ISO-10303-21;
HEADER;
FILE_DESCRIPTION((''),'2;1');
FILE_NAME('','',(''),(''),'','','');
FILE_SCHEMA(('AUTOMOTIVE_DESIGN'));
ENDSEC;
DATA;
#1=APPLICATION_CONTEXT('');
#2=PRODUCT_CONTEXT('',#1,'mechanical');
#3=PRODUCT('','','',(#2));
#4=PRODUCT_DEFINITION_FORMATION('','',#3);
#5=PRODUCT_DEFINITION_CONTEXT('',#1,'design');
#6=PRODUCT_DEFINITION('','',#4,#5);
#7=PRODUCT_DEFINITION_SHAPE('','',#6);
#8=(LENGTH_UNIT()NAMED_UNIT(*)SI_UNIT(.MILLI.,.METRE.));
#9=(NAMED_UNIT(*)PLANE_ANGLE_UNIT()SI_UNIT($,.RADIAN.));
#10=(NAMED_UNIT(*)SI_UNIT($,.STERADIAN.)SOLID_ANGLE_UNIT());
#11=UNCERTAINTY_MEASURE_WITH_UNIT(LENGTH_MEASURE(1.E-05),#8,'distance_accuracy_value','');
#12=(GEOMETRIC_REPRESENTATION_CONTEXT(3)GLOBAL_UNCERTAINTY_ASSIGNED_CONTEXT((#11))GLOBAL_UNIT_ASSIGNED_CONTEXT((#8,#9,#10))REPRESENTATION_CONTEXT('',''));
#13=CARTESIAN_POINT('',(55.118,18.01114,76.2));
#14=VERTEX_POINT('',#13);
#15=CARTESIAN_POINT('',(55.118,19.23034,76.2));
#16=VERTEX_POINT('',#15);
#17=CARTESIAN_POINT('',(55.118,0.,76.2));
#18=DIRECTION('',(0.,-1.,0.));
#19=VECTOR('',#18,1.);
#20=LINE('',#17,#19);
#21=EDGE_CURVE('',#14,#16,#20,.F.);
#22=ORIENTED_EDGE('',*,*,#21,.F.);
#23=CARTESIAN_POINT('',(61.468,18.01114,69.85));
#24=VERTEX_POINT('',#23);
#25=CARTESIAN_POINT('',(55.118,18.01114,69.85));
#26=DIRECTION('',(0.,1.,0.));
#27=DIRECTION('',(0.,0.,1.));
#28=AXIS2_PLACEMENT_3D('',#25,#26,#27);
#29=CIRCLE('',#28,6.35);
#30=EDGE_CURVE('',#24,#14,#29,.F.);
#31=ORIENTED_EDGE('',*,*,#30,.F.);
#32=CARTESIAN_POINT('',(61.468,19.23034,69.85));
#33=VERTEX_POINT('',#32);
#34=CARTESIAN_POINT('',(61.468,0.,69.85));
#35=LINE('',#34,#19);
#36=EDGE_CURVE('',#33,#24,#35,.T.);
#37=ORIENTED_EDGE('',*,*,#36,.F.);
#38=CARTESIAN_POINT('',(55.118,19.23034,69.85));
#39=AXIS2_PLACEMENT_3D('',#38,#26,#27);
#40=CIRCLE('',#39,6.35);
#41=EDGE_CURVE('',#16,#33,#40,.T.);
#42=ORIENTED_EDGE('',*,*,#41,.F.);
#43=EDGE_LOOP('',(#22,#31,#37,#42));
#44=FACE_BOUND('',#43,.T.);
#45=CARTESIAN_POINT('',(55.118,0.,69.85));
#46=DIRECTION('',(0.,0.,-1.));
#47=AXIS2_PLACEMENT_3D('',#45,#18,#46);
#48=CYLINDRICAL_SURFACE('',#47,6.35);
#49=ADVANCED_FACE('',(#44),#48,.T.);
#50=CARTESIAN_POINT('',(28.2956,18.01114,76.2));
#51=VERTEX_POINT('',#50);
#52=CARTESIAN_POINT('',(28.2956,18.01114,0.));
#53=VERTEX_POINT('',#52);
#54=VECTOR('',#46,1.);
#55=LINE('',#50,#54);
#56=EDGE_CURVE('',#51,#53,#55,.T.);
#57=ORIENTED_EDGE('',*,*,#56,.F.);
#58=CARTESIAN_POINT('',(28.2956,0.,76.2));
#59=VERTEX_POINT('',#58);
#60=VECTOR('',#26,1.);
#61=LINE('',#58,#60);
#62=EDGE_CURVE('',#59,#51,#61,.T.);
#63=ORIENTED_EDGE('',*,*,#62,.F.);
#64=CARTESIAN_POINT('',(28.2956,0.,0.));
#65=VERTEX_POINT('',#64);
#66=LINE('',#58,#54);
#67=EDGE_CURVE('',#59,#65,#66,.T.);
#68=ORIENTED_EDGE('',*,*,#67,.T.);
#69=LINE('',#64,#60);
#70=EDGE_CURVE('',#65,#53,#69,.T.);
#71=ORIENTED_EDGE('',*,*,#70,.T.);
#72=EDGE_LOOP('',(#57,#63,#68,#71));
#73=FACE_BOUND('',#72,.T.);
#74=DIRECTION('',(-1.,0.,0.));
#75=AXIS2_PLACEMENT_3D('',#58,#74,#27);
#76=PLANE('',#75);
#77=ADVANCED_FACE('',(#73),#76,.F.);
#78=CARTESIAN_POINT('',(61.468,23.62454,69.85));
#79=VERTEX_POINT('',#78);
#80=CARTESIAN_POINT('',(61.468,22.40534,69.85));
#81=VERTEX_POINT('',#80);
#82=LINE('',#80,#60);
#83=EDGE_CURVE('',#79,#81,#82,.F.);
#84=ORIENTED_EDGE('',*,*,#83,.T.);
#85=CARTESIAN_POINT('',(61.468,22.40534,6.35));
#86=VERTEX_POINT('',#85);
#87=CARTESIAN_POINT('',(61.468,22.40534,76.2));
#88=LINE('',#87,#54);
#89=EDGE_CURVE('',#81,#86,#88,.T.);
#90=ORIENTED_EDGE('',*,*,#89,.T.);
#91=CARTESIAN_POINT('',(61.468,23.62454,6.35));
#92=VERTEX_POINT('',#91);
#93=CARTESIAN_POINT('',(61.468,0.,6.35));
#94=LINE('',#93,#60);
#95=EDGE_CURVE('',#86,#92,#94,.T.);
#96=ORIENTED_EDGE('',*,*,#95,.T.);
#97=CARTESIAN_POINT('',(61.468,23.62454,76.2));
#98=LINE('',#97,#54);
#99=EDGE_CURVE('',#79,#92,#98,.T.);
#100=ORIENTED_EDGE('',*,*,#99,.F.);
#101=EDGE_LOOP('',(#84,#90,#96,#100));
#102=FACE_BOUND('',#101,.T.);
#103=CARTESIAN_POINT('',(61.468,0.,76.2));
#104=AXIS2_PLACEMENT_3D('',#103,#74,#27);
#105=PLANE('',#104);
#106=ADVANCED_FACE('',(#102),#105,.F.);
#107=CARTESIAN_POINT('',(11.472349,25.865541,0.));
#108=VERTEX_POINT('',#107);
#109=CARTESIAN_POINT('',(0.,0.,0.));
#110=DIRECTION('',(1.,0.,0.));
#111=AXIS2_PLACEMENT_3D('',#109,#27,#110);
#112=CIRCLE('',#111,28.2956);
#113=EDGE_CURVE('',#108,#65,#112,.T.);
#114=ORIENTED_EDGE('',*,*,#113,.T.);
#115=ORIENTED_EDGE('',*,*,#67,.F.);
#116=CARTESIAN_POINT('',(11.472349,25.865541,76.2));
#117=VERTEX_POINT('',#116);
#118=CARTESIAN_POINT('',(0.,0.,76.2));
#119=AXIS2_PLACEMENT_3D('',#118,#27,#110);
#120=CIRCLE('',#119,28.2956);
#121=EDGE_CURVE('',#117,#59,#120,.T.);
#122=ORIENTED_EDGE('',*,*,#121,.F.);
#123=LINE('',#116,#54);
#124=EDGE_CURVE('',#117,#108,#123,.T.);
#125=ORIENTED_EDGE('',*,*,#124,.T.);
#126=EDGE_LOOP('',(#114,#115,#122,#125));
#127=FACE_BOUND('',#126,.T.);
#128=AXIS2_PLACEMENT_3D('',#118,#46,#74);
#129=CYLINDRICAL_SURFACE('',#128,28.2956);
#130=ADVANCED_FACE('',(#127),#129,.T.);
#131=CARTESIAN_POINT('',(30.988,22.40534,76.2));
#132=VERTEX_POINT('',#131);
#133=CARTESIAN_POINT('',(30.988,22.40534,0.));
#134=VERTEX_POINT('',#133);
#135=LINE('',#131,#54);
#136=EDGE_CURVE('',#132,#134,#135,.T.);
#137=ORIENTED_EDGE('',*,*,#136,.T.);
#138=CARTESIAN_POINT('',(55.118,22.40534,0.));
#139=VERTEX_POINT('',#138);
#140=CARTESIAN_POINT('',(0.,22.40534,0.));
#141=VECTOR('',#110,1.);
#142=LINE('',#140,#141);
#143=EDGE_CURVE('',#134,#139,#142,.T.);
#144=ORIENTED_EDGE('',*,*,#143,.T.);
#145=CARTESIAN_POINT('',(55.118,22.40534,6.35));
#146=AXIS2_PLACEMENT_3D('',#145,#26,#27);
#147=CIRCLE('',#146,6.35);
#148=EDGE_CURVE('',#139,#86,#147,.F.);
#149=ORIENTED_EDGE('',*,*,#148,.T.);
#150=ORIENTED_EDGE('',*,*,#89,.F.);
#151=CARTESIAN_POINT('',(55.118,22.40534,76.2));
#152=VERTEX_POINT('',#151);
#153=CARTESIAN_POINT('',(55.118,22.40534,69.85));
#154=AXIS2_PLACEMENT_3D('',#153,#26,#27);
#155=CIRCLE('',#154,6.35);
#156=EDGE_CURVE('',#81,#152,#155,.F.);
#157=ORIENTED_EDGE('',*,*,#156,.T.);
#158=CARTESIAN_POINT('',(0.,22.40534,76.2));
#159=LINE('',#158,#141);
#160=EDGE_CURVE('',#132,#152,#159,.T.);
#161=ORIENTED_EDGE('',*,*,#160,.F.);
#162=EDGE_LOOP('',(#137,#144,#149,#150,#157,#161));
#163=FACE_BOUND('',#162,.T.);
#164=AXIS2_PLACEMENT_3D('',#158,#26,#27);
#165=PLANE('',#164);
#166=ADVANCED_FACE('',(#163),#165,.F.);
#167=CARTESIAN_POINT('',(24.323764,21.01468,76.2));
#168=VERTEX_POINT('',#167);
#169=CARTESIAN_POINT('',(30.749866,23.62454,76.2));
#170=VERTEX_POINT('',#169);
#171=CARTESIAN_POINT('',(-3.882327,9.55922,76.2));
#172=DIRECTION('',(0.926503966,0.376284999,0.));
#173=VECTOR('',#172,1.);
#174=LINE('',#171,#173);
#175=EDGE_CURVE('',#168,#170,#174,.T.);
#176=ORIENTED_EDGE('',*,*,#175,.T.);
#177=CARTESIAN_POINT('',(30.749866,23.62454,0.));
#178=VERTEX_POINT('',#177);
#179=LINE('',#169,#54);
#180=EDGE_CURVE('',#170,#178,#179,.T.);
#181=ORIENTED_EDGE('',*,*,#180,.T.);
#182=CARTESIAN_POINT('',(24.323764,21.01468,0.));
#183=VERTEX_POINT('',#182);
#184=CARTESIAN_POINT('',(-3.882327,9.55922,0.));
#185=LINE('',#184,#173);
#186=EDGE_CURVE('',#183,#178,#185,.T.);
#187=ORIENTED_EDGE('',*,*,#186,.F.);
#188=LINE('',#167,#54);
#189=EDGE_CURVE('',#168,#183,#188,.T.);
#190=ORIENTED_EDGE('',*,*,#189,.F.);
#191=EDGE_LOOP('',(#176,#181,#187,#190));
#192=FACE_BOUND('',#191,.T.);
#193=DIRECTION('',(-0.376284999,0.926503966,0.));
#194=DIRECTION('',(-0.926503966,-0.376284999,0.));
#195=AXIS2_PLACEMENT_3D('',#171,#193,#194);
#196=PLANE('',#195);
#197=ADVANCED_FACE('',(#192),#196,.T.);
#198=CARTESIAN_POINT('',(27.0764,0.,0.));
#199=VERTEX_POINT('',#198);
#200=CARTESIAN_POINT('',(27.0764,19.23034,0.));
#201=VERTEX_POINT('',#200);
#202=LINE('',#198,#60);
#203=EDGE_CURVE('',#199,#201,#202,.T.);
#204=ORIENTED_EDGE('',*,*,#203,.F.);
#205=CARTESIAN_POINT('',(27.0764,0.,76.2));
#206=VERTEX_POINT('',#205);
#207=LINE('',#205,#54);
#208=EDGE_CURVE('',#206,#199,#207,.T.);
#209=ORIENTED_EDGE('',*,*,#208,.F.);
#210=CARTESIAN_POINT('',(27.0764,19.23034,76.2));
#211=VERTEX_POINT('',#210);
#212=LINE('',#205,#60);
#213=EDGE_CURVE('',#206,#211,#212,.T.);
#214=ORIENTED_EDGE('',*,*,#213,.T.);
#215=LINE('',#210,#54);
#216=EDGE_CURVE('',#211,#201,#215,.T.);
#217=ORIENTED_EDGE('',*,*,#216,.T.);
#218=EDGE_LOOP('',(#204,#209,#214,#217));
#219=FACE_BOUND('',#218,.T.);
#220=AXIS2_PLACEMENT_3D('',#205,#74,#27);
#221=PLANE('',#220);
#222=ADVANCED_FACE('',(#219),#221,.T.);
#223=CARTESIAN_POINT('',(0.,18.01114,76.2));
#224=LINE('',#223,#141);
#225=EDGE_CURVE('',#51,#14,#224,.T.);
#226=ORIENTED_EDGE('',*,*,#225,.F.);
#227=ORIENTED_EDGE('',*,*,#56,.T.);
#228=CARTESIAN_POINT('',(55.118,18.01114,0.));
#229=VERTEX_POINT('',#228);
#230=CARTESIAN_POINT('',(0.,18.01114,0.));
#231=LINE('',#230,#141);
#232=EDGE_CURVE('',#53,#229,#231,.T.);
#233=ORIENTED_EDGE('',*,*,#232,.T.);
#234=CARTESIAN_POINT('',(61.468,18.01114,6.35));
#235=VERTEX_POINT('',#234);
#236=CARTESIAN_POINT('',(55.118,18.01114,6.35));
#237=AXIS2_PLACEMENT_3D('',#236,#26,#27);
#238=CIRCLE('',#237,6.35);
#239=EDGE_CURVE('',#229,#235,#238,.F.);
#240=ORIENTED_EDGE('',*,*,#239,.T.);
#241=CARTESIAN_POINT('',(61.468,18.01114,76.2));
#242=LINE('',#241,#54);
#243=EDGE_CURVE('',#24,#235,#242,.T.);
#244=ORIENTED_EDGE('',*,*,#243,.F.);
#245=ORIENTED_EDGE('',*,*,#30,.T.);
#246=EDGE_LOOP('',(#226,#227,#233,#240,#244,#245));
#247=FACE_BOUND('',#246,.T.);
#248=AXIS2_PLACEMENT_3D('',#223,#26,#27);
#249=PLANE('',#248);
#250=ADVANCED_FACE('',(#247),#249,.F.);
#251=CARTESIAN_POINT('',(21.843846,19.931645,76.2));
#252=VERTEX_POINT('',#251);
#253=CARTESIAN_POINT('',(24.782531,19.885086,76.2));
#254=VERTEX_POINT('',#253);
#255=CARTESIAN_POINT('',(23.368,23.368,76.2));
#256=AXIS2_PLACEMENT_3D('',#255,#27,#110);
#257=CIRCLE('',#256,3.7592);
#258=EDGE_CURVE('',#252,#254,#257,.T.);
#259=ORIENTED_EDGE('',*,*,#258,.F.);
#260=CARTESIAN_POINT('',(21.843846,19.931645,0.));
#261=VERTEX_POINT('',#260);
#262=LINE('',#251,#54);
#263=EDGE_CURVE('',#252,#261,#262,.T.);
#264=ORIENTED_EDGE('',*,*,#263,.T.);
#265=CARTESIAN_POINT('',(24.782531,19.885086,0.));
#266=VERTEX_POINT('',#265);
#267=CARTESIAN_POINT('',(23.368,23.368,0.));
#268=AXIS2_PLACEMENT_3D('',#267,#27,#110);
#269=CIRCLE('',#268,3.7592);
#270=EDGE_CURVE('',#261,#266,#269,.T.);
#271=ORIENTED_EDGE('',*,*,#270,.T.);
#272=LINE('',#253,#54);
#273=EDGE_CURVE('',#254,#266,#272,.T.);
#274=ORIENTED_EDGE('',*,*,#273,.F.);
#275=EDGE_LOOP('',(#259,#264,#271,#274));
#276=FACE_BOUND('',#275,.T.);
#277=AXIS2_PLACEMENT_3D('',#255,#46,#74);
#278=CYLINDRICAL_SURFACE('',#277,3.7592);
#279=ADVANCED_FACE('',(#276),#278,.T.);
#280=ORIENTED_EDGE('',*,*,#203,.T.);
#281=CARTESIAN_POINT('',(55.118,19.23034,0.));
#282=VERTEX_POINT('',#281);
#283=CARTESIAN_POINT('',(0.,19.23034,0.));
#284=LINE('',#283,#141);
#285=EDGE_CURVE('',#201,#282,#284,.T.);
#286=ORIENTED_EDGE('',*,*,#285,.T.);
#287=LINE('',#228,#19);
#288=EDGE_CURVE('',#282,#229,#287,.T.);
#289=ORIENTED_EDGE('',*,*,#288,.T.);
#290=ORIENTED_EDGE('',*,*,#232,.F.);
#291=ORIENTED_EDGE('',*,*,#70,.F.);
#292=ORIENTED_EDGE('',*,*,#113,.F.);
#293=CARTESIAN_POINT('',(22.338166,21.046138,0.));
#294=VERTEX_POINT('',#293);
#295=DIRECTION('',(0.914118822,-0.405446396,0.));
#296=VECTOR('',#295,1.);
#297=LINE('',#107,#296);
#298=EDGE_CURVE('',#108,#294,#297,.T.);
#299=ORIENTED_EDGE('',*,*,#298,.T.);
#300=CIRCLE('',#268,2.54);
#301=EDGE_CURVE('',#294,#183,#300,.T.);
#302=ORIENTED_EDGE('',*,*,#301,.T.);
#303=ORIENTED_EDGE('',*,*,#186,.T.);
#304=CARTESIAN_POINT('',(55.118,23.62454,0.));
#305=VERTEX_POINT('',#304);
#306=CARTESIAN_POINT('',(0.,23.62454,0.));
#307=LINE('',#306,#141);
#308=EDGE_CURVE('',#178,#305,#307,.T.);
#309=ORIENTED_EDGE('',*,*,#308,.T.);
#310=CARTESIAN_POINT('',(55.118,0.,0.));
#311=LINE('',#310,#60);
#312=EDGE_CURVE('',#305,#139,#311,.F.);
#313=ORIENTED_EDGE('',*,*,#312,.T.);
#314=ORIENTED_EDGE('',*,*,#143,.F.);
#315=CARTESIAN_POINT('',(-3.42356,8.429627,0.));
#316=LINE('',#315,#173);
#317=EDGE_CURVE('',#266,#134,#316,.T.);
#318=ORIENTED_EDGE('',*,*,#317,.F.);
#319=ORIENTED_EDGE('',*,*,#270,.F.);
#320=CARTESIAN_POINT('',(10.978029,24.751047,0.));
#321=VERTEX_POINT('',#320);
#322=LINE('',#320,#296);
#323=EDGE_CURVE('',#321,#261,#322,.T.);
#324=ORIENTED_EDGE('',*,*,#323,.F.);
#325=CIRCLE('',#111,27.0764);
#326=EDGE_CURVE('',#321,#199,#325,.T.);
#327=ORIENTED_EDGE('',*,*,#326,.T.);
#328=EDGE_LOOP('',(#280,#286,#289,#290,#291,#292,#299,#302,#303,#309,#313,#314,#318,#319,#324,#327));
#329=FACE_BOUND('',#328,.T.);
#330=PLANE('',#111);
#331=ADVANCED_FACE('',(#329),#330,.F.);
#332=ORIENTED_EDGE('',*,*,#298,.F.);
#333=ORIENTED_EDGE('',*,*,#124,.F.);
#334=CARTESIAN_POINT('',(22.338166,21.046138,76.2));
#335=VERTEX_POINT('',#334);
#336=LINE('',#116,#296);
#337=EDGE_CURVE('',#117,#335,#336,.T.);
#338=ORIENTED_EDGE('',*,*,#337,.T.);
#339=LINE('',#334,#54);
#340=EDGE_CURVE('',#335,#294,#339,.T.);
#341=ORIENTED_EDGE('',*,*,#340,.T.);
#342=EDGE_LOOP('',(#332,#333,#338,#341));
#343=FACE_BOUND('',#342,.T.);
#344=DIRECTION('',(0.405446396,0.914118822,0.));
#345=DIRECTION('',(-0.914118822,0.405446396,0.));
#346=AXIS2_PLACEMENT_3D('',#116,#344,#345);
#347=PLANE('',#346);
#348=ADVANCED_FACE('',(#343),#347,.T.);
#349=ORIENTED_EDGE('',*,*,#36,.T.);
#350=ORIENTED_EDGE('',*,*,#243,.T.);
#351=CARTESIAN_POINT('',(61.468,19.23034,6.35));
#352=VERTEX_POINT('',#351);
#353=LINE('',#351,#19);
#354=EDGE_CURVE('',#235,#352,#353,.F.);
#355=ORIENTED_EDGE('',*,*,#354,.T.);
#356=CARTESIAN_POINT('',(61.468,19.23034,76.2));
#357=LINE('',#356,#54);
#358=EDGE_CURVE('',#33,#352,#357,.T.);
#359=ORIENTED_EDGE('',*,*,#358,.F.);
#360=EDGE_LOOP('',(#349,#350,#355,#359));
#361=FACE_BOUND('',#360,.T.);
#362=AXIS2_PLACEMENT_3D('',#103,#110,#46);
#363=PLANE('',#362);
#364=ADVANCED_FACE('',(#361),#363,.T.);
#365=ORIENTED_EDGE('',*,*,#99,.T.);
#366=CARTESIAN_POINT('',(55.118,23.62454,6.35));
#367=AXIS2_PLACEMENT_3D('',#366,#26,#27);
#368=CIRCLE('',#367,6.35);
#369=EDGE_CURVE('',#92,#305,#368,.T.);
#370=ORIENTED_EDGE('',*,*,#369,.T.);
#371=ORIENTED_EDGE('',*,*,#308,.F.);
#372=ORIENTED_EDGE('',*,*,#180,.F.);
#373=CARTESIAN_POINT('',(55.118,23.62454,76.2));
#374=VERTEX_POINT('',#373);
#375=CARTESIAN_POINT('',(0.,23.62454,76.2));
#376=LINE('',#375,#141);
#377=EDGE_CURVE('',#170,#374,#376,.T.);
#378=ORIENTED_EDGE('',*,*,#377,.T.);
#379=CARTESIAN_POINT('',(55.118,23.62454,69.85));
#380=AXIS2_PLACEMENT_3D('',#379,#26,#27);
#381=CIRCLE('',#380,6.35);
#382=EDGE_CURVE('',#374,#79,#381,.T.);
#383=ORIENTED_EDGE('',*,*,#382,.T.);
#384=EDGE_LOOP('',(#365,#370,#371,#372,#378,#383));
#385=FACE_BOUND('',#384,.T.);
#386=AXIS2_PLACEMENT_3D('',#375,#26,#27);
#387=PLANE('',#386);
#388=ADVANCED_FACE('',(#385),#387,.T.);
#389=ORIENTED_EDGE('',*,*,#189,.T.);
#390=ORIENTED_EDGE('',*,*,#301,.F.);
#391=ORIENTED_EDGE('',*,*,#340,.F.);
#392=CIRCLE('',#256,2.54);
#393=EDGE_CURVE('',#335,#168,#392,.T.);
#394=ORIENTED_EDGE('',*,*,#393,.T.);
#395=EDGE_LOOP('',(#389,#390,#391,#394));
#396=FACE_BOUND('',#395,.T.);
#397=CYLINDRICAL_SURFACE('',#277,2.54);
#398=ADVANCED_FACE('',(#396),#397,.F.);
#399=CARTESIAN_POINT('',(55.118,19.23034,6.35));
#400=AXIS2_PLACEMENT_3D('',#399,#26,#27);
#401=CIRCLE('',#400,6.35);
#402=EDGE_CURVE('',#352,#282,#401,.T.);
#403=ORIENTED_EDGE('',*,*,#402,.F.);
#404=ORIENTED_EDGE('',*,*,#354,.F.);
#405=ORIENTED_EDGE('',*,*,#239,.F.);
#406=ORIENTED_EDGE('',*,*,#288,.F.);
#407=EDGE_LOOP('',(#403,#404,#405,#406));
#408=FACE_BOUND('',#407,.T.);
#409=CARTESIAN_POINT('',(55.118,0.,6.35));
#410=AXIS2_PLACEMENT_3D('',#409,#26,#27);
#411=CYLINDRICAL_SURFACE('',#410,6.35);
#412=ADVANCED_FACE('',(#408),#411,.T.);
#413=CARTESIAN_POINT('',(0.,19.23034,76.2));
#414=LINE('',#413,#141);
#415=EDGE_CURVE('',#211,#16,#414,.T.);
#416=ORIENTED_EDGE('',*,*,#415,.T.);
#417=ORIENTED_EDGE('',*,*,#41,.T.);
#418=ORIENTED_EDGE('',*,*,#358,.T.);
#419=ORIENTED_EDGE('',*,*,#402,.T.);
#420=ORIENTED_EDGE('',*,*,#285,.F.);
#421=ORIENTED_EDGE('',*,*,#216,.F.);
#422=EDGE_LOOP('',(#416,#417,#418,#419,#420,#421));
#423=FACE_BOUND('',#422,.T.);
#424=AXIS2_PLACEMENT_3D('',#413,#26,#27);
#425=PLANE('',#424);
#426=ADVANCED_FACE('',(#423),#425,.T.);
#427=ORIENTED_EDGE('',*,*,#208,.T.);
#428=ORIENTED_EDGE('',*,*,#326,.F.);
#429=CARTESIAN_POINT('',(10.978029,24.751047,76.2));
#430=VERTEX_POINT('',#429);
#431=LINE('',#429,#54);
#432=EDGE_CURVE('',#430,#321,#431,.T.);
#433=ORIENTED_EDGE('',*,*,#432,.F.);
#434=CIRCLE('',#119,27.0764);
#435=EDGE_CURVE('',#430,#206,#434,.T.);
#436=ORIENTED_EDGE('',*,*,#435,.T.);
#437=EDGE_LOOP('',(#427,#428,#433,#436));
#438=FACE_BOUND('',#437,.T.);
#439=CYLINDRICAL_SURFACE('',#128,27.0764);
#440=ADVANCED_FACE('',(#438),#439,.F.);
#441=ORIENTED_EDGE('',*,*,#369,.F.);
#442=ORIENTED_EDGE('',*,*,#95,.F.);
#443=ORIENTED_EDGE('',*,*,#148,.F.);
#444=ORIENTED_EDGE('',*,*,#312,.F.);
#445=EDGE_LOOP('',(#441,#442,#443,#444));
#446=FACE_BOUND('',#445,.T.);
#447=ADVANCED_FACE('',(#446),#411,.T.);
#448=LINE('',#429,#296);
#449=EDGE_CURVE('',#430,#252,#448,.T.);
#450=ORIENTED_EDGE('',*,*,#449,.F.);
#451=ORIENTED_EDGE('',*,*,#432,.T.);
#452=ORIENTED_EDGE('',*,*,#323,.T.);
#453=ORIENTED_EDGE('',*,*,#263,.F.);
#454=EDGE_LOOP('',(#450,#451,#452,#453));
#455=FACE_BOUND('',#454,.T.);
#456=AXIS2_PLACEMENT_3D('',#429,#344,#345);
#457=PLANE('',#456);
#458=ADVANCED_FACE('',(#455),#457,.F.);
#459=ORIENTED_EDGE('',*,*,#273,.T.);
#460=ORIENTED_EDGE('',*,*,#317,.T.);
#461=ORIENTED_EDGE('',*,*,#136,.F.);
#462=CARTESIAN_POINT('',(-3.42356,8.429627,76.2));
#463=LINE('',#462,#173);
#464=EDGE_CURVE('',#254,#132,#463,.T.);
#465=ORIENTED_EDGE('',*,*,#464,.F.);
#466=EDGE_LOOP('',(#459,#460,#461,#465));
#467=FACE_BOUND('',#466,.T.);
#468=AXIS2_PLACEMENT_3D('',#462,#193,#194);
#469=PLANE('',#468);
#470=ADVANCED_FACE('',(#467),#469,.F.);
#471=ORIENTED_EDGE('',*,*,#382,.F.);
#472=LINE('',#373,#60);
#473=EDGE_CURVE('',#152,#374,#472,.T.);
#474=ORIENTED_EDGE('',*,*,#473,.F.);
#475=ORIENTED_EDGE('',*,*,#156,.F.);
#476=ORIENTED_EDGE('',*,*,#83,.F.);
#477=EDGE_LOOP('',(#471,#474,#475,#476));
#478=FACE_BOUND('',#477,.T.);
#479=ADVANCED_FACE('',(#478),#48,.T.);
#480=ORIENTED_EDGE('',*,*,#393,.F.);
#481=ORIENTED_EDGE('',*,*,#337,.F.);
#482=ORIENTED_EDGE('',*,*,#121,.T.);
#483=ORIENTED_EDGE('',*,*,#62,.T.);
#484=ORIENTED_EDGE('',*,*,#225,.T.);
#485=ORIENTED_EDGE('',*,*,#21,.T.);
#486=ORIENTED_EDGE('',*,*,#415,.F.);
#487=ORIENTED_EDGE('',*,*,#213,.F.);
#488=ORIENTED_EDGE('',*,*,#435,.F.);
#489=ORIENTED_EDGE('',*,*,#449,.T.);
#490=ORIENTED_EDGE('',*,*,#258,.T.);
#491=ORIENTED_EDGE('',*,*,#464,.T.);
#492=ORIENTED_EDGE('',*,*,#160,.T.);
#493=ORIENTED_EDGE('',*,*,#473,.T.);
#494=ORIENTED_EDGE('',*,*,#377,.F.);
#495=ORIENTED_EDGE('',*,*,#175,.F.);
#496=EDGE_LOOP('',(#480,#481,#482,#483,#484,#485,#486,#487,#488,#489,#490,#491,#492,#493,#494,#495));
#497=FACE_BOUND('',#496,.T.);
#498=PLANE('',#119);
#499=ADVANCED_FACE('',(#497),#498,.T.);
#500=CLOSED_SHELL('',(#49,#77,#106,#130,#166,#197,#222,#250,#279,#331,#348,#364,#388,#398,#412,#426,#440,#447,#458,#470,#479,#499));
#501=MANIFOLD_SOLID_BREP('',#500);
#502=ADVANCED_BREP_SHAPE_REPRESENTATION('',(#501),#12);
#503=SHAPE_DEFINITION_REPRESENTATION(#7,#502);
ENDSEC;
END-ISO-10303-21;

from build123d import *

# Parameters (mm, degrees)
BOSS_EXTRUDE1_DEPTH = 76.2
FILLET2_R           = 6.35


with BuildPart() as part:
    # Sketch2 → Boss-Extrude1 (new body)
    with BuildSketch(Plane.XY):
        with BuildLine():
            Line((61.468, 23.62454), (30.749865701, 23.62454))
            Line((30.749865701, 23.62454), (24.323763897, 21.014679926))
            ThreePointArc((24.323763897, 21.014679926), (23.327763264, 20.82831872), (22.338166155, 21.046138193))
            Line((22.338166155, 21.046138193), (11.472349033, 25.865540532))
            ThreePointArc((11.472349033, 25.865540532), (-23.719801629, -15.427637215), (28.2956, 0))
            Line((28.2956, 0), (28.2956, 18.01114))
            Line((28.2956, 18.01114), (61.468, 18.01114))
            Line((61.468, 18.01114), (61.468, 19.23034))
            Line((61.468, 19.23034), (27.0764, 19.23034))
            Line((27.0764, 19.23034), (27.0764, 0))
            ThreePointArc((27.0764, 0), (-22.697763498, -14.762891626), (10.978028787, 24.751046865))
            Line((10.978028787, 24.751046865), (21.843845909, 19.931644525))
            ThreePointArc((21.843845909, 19.931644525), (23.308449631, 19.609271705), (24.782530568, 19.88508629))
            Line((24.782530568, 19.88508629), (30.988, 22.40534))
            Line((30.988, 22.40534), (61.468, 22.40534))
            Line((61.468, 22.40534), (61.468, 23.62454))
        make_face()
    extrude(amount=BOSS_EXTRUDE1_DEPTH)

    # Fillet2
    fillet2_edges = [part.edges().sort_by_distance(p)[0] for p in [
        (61.468, 23.01494, 76.2),
        (61.468, 18.62074, 0),
        (61.468, 23.01494, 0),
        (61.468, 18.62074, 76.2),
    ]]
    fillet(fillet2_edges, radius=FILLET2_R)


solid = part.part
